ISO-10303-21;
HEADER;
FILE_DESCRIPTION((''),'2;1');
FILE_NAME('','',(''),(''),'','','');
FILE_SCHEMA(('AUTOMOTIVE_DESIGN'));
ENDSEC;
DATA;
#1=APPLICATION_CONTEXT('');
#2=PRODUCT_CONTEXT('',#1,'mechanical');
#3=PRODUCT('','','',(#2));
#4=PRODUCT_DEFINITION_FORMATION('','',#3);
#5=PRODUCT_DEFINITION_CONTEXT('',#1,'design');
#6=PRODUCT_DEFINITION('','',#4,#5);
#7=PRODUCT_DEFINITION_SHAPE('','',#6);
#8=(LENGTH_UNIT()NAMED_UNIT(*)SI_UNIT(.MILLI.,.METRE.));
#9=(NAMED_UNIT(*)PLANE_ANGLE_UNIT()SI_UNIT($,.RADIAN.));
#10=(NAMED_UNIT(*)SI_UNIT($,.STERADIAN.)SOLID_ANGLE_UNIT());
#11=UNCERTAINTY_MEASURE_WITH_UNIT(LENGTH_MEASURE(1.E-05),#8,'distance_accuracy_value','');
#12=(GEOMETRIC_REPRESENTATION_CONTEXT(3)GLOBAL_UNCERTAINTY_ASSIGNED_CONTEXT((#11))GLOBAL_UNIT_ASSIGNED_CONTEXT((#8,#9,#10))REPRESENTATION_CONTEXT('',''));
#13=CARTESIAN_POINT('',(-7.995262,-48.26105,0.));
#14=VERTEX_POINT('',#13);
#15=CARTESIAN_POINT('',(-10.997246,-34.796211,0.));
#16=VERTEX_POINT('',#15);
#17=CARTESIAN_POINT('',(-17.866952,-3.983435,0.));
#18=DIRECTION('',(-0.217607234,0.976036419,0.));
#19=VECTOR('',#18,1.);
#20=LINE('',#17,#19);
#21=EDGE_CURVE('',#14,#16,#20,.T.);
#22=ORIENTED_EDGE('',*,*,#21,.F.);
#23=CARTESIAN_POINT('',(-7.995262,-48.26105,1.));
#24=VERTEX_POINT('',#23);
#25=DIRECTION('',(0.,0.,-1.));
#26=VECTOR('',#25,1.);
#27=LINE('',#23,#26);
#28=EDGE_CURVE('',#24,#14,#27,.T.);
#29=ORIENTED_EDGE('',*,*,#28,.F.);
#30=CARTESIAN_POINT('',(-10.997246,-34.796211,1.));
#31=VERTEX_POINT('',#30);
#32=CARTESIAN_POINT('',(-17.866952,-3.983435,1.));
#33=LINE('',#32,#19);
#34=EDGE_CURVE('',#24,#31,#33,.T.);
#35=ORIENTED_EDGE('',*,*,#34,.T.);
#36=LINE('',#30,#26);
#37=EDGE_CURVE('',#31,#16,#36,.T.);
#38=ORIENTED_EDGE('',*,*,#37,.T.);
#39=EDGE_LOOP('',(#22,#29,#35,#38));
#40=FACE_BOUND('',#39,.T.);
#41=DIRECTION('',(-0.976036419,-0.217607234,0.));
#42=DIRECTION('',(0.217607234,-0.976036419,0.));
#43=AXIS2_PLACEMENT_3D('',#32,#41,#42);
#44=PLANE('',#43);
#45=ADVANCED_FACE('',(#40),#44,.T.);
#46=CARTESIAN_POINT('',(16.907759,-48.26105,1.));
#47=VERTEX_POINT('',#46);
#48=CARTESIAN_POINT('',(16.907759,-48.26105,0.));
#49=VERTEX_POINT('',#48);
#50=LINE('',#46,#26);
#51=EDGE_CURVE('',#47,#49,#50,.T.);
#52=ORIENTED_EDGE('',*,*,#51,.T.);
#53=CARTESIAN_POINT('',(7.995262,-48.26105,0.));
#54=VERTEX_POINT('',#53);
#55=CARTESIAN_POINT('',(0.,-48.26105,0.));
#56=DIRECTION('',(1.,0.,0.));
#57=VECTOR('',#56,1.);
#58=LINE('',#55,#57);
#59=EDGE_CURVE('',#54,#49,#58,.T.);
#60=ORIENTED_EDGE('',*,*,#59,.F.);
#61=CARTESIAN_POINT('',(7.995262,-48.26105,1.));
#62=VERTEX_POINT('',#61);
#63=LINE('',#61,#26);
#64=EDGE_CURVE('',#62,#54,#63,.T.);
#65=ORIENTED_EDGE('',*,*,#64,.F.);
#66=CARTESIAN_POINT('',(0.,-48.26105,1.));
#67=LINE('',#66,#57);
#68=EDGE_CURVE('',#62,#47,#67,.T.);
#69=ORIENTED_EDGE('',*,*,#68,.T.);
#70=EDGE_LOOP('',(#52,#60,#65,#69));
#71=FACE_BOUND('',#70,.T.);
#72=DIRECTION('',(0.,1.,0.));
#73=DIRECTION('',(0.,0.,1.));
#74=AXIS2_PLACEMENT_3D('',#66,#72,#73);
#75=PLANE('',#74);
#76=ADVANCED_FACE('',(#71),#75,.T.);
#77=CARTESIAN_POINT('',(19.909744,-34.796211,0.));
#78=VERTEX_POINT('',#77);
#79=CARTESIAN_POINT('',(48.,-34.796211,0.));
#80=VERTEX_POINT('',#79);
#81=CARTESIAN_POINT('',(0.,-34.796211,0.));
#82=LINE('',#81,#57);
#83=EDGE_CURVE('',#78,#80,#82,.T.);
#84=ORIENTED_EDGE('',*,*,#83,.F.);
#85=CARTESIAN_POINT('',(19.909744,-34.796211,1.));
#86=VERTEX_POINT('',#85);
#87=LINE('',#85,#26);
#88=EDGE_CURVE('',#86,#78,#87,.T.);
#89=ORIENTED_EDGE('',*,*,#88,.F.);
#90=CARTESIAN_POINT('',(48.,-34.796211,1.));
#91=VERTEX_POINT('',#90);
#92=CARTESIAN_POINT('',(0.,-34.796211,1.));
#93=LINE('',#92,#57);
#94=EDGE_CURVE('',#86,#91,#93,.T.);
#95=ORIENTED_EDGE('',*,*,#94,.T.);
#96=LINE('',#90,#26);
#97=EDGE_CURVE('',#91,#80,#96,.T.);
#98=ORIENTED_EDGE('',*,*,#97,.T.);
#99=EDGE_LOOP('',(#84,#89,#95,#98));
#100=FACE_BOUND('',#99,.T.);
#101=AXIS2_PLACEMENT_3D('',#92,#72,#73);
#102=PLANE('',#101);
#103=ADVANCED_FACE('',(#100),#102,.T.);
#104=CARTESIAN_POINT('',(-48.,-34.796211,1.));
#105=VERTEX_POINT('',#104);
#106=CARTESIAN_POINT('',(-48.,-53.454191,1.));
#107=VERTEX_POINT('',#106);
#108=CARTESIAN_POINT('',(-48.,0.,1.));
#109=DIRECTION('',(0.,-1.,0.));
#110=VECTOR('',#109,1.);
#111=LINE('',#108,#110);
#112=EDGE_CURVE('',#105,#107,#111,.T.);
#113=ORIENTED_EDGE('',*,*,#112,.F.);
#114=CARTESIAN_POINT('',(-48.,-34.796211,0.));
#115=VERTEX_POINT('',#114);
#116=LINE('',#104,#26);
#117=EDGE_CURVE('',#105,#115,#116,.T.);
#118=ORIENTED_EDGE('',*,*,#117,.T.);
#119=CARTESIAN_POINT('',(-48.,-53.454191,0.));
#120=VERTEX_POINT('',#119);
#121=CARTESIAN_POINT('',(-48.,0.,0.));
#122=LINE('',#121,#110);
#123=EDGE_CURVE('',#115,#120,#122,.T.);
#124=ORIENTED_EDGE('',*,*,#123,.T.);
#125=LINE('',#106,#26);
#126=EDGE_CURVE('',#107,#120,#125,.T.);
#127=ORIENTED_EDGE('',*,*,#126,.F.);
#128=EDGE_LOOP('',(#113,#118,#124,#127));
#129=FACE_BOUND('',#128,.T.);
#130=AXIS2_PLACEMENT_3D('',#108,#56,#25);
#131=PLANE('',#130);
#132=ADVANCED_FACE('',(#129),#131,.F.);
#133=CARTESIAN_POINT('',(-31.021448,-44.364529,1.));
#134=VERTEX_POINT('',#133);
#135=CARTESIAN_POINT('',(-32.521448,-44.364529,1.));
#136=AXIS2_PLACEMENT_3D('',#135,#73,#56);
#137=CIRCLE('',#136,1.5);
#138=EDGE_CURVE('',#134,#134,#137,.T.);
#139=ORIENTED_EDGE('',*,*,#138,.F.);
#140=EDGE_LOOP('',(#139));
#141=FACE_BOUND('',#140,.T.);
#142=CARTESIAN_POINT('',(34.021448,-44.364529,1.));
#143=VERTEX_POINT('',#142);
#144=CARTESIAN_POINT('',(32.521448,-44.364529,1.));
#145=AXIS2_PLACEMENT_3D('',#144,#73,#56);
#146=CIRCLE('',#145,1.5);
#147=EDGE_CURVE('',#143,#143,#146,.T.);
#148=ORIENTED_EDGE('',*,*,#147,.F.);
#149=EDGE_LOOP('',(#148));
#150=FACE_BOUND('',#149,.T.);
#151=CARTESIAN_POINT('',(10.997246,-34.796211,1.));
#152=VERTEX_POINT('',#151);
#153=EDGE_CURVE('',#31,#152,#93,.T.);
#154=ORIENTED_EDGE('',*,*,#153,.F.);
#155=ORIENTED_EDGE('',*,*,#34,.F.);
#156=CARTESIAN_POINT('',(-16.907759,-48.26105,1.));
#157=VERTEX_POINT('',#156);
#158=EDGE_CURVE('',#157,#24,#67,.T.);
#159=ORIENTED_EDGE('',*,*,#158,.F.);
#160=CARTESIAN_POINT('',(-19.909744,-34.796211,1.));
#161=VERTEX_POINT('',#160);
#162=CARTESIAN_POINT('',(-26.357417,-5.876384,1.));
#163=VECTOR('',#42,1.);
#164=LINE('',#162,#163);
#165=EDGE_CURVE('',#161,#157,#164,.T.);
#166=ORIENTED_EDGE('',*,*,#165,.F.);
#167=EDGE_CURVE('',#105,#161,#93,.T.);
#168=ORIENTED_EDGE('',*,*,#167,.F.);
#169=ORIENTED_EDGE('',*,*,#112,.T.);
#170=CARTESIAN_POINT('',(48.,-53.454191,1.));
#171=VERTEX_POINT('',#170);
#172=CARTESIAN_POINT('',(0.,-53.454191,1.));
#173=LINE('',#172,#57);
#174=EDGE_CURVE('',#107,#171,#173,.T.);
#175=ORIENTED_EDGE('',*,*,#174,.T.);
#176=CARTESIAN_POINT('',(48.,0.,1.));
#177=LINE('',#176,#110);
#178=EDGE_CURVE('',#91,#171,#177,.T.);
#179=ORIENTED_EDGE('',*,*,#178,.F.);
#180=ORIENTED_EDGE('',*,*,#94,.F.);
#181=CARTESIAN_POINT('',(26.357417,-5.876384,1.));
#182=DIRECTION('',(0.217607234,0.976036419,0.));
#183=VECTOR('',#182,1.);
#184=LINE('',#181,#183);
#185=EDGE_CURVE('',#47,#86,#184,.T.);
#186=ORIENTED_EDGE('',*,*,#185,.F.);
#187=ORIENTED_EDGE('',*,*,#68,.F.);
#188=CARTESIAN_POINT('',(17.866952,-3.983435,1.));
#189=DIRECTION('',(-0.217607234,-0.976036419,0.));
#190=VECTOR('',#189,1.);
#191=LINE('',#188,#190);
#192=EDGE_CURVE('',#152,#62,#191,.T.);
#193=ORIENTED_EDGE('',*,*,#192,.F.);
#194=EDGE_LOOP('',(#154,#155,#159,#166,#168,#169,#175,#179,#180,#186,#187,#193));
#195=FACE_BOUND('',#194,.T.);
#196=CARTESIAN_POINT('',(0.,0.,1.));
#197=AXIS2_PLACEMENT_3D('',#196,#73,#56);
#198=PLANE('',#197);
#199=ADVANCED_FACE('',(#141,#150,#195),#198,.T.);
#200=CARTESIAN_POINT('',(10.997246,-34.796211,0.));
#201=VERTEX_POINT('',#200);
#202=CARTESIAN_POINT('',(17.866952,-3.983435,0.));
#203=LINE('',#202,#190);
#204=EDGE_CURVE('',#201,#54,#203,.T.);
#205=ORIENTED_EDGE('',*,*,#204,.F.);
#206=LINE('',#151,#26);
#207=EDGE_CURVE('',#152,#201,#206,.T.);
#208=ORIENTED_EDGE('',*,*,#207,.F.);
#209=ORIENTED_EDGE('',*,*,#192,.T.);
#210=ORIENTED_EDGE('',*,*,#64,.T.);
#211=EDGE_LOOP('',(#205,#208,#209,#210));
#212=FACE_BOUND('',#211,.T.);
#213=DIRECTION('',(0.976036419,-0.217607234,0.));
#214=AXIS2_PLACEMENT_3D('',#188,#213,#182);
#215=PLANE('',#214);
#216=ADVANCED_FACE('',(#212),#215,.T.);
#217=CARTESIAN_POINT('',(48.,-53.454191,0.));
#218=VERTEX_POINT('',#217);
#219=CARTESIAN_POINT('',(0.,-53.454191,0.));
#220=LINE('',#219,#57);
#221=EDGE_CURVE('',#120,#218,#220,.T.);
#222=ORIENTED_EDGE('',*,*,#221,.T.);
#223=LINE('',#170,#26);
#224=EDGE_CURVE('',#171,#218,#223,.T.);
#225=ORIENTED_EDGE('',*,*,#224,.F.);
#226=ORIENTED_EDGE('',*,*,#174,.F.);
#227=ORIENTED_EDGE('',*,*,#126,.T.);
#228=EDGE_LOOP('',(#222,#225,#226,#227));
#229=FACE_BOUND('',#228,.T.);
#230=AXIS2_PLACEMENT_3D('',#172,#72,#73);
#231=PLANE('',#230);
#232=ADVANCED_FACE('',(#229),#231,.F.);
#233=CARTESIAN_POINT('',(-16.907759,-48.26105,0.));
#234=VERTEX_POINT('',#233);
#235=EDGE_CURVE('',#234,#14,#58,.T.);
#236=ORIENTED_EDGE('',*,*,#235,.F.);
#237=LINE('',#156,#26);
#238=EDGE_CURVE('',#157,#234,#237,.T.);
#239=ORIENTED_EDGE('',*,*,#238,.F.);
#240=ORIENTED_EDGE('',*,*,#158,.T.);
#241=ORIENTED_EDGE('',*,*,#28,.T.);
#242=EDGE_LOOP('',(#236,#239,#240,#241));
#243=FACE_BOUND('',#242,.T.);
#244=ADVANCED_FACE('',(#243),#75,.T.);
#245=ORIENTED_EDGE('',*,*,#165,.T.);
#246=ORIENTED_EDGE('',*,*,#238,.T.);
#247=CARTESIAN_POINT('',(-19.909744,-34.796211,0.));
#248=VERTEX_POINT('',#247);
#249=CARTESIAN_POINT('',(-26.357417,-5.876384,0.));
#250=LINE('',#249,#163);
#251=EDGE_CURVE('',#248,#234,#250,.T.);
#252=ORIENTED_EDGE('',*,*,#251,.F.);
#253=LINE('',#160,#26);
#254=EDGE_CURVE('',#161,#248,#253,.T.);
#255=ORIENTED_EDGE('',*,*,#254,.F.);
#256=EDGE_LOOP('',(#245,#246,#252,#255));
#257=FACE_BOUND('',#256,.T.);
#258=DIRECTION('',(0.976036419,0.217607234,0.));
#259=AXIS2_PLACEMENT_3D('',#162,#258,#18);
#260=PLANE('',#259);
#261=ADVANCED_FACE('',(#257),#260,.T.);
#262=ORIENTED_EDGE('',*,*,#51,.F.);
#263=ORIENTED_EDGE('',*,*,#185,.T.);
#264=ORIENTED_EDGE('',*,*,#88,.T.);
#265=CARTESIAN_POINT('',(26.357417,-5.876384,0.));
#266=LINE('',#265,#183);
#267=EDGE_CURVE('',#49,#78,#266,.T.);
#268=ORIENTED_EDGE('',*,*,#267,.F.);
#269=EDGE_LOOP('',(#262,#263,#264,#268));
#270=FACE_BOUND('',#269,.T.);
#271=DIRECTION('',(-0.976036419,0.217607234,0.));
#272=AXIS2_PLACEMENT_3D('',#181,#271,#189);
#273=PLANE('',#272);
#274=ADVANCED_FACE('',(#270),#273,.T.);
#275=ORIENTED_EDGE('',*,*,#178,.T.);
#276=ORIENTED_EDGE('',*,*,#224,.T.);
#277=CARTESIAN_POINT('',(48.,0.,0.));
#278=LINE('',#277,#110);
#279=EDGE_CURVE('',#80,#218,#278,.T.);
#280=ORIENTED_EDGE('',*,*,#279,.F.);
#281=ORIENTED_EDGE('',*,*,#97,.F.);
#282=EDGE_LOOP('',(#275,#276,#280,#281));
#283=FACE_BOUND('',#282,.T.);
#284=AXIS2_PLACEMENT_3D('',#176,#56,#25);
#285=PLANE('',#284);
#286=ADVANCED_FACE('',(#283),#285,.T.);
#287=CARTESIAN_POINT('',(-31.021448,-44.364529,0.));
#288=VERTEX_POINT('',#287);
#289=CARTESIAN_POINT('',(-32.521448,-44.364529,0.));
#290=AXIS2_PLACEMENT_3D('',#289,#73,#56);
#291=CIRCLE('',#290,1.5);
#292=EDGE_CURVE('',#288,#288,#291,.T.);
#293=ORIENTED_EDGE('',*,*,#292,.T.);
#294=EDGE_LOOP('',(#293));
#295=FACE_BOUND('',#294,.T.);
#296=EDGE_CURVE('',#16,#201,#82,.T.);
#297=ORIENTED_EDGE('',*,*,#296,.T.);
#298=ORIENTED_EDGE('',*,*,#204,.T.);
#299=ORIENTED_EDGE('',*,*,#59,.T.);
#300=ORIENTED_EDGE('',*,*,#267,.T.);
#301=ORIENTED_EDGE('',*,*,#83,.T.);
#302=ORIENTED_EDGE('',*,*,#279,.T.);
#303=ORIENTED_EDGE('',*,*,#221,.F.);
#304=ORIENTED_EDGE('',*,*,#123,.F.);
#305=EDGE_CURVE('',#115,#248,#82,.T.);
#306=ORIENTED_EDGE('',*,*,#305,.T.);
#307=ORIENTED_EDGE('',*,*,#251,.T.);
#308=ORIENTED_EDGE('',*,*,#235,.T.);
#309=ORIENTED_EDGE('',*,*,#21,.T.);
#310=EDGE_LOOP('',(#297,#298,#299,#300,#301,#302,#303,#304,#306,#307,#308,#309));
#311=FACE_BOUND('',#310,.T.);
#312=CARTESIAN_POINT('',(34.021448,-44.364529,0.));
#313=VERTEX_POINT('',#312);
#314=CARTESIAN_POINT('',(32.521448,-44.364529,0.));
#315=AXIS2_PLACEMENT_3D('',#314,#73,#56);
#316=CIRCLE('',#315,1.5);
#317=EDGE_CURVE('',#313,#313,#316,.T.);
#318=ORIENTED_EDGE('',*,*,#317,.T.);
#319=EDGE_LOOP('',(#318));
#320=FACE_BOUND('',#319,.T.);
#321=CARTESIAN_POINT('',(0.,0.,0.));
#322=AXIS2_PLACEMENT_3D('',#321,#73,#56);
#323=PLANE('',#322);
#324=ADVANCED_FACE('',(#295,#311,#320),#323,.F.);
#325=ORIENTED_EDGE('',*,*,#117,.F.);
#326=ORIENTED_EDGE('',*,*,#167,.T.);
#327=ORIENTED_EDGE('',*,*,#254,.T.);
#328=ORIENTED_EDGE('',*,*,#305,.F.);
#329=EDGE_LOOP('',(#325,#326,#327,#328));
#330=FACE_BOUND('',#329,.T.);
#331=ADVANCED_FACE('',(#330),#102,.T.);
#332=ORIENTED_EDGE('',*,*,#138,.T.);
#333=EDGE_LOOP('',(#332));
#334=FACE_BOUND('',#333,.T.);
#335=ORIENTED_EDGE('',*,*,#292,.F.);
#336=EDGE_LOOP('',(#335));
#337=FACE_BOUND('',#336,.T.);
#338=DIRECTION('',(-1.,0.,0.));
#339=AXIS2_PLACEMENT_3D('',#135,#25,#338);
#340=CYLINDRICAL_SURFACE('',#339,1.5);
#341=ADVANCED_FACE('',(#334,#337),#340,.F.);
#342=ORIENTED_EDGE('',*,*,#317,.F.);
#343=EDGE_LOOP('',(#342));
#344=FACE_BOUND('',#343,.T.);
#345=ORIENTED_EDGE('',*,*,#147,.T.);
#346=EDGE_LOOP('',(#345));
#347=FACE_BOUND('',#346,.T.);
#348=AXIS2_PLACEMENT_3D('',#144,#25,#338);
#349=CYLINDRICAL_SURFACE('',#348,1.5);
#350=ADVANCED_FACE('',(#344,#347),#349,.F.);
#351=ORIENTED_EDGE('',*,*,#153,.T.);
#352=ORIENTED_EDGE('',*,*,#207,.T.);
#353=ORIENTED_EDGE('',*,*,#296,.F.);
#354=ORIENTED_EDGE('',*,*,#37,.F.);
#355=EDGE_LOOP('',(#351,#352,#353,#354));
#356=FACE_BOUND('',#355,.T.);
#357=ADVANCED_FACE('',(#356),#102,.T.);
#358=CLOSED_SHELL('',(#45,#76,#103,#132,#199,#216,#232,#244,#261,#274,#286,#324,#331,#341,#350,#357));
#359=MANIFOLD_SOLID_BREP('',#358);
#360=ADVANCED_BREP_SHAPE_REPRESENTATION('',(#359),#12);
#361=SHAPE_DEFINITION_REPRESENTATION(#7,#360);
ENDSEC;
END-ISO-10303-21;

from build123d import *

# Parameters (mm, degrees)
SKETCH_1_R      = 1.5
EXTRUDE_1_DEPTH = 1


with BuildPart() as part:
    # Эскиз1 → Бобышка-Вытянуть1 (new body)
    with BuildSketch(Plane.XY):
        Polygon((19.909743959, -34.796210945), (48, -34.796210945), (48, -53.454190801), (-48, -53.454190801), (-48, -34.796210945), (-19.909743959, -34.796210945), (-16.907759352, -48.261049679), (-7.995261788, -48.261049679), (-10.997246395, -34.796210945), (10.997246395, -34.796210945), (7.995261788, -48.261049679), (16.907759352, -48.261049679), align=None)
        with Locations((-32.521447951, -44.364529328)):
            Circle(SKETCH_1_R, mode=Mode.SUBTRACT)
        with Locations((32.521447951, -44.364529328)):
            Circle(SKETCH_1_R, mode=Mode.SUBTRACT)
    extrude(amount=EXTRUDE_1_DEPTH)


solid = part.part
